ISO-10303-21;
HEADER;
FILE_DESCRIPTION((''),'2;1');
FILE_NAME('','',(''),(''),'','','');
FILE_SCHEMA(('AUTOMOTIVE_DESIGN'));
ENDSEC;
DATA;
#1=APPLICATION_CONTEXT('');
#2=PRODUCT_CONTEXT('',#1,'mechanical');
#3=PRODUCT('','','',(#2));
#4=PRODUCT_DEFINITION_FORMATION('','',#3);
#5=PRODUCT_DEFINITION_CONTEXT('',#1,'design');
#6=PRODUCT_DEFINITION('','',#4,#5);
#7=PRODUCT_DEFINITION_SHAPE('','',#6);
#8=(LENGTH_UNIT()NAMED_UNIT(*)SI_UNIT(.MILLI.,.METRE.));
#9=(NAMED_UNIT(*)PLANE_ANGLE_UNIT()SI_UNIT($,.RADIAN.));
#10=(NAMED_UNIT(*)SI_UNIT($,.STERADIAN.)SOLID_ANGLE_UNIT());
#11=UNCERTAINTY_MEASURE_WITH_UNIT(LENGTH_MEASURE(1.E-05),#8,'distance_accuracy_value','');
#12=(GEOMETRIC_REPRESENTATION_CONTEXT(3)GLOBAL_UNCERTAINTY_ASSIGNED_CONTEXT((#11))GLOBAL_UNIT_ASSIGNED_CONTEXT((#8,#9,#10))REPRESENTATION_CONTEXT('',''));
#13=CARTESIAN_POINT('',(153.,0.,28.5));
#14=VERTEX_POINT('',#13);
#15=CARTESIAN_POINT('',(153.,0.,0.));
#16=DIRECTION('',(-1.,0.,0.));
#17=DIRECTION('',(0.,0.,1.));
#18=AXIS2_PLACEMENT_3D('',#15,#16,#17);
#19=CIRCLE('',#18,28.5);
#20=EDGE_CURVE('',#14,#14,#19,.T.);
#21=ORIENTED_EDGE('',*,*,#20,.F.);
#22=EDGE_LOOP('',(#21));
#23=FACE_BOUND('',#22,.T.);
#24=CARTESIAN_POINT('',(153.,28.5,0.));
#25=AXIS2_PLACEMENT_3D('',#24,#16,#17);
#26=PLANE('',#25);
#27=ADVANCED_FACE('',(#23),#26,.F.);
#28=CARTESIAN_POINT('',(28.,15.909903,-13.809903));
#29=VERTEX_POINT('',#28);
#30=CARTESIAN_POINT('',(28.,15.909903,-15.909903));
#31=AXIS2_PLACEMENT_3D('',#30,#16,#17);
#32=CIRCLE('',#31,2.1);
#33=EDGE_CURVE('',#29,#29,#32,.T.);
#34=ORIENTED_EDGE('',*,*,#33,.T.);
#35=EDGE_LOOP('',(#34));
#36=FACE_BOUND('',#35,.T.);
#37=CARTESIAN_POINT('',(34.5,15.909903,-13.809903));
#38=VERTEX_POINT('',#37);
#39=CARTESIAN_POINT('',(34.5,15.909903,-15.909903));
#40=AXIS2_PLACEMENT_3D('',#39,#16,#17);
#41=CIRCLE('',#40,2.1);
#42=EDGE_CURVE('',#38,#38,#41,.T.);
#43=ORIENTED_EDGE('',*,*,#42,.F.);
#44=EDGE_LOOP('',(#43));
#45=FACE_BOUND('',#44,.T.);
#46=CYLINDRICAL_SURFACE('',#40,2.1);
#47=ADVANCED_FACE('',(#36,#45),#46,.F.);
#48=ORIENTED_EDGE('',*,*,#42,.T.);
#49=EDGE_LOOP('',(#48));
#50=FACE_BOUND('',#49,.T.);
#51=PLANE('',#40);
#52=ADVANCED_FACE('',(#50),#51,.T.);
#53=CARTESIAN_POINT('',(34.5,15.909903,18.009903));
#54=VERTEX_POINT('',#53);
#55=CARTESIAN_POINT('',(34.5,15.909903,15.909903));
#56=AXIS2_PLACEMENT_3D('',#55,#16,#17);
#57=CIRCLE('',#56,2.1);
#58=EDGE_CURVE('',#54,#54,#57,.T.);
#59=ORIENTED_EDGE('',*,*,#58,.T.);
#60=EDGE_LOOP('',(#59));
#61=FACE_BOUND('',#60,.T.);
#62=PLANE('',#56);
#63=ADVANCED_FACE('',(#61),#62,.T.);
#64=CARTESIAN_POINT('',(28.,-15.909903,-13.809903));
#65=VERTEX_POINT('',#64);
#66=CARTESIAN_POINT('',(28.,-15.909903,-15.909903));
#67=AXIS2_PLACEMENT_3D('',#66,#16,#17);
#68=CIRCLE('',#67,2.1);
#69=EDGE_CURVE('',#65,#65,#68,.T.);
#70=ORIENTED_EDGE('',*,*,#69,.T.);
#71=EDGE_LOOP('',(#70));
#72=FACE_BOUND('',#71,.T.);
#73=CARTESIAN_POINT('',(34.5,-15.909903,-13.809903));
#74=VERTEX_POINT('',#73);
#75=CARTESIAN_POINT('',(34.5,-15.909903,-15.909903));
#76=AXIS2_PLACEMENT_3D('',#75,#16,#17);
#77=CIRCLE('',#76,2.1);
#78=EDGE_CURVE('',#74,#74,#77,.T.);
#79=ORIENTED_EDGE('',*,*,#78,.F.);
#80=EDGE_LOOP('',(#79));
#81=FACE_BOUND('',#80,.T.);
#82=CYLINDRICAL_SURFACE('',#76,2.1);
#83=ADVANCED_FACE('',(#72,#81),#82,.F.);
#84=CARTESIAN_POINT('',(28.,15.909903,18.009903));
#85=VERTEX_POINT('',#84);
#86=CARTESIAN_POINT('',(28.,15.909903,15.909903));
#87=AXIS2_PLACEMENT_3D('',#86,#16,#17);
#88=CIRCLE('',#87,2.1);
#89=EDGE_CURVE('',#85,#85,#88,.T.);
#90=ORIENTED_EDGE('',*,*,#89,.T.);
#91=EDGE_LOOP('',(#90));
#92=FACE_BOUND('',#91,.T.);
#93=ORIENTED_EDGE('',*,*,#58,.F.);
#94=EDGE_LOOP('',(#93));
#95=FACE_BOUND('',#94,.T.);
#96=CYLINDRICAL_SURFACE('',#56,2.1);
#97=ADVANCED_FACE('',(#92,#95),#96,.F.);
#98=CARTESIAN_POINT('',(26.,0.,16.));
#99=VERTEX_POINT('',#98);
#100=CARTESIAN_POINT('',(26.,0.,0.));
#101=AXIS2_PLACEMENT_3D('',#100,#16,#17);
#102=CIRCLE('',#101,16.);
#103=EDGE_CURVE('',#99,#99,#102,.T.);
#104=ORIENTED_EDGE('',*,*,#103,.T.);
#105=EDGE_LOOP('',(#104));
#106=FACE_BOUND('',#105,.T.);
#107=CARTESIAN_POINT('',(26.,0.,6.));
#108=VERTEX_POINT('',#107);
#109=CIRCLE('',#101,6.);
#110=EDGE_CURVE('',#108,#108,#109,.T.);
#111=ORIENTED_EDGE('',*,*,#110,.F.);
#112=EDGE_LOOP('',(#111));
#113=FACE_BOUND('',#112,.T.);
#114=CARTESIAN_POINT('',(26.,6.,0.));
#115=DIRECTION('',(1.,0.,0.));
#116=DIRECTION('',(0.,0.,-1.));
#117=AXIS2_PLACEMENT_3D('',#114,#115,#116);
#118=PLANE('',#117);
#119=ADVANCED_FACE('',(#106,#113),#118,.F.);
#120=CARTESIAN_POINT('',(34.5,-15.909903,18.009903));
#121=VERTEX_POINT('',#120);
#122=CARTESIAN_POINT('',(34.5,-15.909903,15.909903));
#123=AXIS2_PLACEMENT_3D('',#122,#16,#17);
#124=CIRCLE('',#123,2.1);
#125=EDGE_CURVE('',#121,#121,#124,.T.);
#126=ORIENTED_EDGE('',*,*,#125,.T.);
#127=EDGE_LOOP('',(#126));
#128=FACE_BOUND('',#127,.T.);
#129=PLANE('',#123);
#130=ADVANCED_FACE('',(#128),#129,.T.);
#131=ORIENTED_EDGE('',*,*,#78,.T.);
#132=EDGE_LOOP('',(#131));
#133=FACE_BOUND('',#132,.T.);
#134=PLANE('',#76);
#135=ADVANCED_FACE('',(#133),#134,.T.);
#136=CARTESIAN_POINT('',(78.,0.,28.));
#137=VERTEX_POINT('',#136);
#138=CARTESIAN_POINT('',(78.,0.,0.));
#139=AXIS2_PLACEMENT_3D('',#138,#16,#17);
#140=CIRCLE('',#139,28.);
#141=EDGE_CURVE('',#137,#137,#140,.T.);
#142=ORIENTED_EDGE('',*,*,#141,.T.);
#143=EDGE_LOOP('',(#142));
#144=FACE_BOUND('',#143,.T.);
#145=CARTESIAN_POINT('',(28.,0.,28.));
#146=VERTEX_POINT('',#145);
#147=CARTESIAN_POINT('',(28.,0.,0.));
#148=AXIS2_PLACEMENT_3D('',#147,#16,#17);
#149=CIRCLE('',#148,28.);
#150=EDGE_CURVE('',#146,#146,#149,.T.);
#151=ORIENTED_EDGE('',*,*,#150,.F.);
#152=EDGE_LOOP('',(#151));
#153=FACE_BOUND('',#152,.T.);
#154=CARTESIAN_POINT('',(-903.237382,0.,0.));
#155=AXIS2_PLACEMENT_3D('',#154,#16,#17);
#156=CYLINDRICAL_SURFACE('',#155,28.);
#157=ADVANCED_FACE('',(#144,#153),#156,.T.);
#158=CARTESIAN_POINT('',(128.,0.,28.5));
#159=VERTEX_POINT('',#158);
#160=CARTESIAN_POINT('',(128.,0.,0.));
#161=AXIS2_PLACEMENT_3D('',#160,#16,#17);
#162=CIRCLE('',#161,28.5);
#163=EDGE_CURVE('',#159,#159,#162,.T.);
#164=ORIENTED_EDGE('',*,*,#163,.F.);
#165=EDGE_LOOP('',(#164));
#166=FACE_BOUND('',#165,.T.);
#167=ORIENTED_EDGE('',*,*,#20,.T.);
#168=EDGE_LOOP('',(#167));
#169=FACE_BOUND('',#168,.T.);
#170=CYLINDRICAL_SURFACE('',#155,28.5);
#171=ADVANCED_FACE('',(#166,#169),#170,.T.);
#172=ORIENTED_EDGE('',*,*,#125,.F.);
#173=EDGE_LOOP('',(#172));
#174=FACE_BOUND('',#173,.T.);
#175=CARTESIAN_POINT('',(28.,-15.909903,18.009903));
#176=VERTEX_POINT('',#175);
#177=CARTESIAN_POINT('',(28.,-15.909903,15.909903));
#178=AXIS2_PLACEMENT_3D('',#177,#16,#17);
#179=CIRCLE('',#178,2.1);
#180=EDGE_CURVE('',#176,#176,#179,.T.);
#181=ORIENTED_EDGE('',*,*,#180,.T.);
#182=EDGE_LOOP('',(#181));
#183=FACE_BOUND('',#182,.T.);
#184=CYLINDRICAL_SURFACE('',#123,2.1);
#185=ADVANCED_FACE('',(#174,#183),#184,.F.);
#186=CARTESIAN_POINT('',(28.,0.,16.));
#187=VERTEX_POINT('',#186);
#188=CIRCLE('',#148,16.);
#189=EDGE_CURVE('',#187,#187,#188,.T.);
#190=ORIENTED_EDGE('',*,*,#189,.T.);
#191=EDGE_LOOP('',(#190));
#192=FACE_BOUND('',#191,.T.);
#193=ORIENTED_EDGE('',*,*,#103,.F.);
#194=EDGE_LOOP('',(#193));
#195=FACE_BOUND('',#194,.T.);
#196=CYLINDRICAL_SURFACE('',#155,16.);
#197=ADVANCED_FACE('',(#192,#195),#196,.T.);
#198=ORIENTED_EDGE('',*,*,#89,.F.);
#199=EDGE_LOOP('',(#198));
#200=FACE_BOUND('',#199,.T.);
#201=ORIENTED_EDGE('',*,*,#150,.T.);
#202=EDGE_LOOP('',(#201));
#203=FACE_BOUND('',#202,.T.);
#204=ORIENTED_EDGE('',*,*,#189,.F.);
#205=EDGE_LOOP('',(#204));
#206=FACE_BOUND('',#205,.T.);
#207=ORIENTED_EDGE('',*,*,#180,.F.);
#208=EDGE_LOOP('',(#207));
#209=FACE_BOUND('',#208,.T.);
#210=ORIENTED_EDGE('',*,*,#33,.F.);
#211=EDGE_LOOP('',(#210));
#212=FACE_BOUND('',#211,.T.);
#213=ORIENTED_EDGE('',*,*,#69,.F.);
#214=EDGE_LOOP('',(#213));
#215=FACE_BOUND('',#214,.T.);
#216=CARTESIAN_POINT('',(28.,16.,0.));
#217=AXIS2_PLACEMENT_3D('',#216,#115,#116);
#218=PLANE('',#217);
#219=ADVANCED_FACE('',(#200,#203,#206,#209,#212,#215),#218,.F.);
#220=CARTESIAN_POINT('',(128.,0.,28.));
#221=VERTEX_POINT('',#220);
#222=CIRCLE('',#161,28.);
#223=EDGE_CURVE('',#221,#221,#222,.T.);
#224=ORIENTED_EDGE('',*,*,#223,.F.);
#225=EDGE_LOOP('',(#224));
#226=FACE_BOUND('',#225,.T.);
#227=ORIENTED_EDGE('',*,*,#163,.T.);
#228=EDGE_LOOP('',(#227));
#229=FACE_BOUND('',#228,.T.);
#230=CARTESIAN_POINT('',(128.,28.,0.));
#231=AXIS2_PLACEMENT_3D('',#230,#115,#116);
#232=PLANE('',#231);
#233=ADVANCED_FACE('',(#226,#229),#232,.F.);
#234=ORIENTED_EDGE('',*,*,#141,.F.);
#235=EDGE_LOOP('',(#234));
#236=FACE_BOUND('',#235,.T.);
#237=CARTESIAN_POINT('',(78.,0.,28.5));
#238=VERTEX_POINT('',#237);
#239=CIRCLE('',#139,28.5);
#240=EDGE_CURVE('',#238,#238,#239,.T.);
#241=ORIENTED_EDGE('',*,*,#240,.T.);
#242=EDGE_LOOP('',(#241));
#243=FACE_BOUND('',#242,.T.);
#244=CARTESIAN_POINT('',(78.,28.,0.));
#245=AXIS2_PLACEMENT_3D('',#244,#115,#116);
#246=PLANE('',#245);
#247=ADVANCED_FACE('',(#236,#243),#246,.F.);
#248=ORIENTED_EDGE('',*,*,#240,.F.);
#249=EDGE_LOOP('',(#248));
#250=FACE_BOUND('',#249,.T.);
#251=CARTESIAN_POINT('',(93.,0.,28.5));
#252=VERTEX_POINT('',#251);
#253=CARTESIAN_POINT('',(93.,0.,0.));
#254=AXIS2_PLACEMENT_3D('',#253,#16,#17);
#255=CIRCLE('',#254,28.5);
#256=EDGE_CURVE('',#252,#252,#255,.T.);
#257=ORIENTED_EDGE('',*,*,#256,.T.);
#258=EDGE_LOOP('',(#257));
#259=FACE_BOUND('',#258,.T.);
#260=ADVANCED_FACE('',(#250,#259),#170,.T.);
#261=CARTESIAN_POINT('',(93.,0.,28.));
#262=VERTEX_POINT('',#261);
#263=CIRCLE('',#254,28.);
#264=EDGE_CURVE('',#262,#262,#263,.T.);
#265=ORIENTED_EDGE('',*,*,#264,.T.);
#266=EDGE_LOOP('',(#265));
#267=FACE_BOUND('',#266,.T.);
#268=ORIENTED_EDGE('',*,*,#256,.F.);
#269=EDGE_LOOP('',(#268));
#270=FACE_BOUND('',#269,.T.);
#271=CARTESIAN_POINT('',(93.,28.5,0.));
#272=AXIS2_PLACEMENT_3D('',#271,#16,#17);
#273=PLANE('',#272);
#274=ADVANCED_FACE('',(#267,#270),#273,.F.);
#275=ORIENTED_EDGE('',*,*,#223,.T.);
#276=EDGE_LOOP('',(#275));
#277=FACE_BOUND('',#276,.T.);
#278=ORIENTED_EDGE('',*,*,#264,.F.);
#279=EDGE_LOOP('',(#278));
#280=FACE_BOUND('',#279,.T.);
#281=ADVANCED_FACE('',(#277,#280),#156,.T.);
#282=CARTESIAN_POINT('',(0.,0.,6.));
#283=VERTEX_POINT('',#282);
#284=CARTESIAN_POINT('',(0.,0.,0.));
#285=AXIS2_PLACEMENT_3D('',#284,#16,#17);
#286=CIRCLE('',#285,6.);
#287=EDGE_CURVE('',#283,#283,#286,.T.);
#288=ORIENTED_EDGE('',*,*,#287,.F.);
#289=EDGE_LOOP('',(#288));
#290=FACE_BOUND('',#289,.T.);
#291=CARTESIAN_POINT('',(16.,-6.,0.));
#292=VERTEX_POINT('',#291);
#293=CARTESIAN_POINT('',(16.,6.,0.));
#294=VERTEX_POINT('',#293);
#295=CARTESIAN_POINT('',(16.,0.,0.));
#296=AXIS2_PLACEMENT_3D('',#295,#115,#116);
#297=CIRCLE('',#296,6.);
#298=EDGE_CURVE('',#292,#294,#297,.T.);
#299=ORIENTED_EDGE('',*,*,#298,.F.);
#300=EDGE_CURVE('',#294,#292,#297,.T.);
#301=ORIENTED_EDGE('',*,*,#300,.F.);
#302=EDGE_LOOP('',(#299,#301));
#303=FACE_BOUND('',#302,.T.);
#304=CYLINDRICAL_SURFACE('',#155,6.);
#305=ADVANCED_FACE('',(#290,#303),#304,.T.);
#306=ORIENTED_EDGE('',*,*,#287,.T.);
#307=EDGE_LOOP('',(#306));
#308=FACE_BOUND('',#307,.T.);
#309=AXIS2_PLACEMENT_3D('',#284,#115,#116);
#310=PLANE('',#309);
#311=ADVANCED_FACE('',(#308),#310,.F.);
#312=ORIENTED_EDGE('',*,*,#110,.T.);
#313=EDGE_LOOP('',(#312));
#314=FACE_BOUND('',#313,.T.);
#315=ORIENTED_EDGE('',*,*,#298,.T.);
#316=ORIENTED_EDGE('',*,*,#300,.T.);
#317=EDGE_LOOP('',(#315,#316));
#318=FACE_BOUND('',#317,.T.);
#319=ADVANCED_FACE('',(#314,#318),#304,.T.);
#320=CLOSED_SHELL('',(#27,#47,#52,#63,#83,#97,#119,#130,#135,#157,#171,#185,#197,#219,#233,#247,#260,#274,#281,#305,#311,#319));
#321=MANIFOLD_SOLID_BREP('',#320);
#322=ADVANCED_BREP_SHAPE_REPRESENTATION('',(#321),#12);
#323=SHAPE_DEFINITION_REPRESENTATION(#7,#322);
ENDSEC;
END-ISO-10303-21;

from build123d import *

# Parameters (mm, degrees)
SKETCH2_R          = 2.1
CUT_EXTRUDE1_DEPTH = 6.5


with BuildPart() as part:
    # Sketch1 → Revolve1 (revolve)
    with BuildSketch(Plane.XY):
        Polygon((0, 0), (153, 0), (153, 28.5), (128, 28.5), (128, 28), (93, 28), (93, 28.5), (78, 28.5), (78, 28), (28, 28), (28, 16), (26, 16), (26, 6), (0, 6), align=None)
    revolve(axis=Axis((-903.237381769, 0, 0), (1, 0, 0)))

    # Sketch2 → Cut-Extrude1 (cut)
    with BuildSketch(Plane.ZY.offset(-28)):
        with Locations((-15.909902577, 15.909902577)):
            Circle(SKETCH2_R)
        with Locations((15.909902577, 15.909902577)):
            Circle(SKETCH2_R)
        with Locations((15.909902577, -15.909902577)):
            Circle(SKETCH2_R)
        with Locations((-15.909902577, -15.909902577)):
            Circle(SKETCH2_R)
    extrude(amount=-CUT_EXTRUDE1_DEPTH, mode=Mode.SUBTRACT)


solid = part.part
